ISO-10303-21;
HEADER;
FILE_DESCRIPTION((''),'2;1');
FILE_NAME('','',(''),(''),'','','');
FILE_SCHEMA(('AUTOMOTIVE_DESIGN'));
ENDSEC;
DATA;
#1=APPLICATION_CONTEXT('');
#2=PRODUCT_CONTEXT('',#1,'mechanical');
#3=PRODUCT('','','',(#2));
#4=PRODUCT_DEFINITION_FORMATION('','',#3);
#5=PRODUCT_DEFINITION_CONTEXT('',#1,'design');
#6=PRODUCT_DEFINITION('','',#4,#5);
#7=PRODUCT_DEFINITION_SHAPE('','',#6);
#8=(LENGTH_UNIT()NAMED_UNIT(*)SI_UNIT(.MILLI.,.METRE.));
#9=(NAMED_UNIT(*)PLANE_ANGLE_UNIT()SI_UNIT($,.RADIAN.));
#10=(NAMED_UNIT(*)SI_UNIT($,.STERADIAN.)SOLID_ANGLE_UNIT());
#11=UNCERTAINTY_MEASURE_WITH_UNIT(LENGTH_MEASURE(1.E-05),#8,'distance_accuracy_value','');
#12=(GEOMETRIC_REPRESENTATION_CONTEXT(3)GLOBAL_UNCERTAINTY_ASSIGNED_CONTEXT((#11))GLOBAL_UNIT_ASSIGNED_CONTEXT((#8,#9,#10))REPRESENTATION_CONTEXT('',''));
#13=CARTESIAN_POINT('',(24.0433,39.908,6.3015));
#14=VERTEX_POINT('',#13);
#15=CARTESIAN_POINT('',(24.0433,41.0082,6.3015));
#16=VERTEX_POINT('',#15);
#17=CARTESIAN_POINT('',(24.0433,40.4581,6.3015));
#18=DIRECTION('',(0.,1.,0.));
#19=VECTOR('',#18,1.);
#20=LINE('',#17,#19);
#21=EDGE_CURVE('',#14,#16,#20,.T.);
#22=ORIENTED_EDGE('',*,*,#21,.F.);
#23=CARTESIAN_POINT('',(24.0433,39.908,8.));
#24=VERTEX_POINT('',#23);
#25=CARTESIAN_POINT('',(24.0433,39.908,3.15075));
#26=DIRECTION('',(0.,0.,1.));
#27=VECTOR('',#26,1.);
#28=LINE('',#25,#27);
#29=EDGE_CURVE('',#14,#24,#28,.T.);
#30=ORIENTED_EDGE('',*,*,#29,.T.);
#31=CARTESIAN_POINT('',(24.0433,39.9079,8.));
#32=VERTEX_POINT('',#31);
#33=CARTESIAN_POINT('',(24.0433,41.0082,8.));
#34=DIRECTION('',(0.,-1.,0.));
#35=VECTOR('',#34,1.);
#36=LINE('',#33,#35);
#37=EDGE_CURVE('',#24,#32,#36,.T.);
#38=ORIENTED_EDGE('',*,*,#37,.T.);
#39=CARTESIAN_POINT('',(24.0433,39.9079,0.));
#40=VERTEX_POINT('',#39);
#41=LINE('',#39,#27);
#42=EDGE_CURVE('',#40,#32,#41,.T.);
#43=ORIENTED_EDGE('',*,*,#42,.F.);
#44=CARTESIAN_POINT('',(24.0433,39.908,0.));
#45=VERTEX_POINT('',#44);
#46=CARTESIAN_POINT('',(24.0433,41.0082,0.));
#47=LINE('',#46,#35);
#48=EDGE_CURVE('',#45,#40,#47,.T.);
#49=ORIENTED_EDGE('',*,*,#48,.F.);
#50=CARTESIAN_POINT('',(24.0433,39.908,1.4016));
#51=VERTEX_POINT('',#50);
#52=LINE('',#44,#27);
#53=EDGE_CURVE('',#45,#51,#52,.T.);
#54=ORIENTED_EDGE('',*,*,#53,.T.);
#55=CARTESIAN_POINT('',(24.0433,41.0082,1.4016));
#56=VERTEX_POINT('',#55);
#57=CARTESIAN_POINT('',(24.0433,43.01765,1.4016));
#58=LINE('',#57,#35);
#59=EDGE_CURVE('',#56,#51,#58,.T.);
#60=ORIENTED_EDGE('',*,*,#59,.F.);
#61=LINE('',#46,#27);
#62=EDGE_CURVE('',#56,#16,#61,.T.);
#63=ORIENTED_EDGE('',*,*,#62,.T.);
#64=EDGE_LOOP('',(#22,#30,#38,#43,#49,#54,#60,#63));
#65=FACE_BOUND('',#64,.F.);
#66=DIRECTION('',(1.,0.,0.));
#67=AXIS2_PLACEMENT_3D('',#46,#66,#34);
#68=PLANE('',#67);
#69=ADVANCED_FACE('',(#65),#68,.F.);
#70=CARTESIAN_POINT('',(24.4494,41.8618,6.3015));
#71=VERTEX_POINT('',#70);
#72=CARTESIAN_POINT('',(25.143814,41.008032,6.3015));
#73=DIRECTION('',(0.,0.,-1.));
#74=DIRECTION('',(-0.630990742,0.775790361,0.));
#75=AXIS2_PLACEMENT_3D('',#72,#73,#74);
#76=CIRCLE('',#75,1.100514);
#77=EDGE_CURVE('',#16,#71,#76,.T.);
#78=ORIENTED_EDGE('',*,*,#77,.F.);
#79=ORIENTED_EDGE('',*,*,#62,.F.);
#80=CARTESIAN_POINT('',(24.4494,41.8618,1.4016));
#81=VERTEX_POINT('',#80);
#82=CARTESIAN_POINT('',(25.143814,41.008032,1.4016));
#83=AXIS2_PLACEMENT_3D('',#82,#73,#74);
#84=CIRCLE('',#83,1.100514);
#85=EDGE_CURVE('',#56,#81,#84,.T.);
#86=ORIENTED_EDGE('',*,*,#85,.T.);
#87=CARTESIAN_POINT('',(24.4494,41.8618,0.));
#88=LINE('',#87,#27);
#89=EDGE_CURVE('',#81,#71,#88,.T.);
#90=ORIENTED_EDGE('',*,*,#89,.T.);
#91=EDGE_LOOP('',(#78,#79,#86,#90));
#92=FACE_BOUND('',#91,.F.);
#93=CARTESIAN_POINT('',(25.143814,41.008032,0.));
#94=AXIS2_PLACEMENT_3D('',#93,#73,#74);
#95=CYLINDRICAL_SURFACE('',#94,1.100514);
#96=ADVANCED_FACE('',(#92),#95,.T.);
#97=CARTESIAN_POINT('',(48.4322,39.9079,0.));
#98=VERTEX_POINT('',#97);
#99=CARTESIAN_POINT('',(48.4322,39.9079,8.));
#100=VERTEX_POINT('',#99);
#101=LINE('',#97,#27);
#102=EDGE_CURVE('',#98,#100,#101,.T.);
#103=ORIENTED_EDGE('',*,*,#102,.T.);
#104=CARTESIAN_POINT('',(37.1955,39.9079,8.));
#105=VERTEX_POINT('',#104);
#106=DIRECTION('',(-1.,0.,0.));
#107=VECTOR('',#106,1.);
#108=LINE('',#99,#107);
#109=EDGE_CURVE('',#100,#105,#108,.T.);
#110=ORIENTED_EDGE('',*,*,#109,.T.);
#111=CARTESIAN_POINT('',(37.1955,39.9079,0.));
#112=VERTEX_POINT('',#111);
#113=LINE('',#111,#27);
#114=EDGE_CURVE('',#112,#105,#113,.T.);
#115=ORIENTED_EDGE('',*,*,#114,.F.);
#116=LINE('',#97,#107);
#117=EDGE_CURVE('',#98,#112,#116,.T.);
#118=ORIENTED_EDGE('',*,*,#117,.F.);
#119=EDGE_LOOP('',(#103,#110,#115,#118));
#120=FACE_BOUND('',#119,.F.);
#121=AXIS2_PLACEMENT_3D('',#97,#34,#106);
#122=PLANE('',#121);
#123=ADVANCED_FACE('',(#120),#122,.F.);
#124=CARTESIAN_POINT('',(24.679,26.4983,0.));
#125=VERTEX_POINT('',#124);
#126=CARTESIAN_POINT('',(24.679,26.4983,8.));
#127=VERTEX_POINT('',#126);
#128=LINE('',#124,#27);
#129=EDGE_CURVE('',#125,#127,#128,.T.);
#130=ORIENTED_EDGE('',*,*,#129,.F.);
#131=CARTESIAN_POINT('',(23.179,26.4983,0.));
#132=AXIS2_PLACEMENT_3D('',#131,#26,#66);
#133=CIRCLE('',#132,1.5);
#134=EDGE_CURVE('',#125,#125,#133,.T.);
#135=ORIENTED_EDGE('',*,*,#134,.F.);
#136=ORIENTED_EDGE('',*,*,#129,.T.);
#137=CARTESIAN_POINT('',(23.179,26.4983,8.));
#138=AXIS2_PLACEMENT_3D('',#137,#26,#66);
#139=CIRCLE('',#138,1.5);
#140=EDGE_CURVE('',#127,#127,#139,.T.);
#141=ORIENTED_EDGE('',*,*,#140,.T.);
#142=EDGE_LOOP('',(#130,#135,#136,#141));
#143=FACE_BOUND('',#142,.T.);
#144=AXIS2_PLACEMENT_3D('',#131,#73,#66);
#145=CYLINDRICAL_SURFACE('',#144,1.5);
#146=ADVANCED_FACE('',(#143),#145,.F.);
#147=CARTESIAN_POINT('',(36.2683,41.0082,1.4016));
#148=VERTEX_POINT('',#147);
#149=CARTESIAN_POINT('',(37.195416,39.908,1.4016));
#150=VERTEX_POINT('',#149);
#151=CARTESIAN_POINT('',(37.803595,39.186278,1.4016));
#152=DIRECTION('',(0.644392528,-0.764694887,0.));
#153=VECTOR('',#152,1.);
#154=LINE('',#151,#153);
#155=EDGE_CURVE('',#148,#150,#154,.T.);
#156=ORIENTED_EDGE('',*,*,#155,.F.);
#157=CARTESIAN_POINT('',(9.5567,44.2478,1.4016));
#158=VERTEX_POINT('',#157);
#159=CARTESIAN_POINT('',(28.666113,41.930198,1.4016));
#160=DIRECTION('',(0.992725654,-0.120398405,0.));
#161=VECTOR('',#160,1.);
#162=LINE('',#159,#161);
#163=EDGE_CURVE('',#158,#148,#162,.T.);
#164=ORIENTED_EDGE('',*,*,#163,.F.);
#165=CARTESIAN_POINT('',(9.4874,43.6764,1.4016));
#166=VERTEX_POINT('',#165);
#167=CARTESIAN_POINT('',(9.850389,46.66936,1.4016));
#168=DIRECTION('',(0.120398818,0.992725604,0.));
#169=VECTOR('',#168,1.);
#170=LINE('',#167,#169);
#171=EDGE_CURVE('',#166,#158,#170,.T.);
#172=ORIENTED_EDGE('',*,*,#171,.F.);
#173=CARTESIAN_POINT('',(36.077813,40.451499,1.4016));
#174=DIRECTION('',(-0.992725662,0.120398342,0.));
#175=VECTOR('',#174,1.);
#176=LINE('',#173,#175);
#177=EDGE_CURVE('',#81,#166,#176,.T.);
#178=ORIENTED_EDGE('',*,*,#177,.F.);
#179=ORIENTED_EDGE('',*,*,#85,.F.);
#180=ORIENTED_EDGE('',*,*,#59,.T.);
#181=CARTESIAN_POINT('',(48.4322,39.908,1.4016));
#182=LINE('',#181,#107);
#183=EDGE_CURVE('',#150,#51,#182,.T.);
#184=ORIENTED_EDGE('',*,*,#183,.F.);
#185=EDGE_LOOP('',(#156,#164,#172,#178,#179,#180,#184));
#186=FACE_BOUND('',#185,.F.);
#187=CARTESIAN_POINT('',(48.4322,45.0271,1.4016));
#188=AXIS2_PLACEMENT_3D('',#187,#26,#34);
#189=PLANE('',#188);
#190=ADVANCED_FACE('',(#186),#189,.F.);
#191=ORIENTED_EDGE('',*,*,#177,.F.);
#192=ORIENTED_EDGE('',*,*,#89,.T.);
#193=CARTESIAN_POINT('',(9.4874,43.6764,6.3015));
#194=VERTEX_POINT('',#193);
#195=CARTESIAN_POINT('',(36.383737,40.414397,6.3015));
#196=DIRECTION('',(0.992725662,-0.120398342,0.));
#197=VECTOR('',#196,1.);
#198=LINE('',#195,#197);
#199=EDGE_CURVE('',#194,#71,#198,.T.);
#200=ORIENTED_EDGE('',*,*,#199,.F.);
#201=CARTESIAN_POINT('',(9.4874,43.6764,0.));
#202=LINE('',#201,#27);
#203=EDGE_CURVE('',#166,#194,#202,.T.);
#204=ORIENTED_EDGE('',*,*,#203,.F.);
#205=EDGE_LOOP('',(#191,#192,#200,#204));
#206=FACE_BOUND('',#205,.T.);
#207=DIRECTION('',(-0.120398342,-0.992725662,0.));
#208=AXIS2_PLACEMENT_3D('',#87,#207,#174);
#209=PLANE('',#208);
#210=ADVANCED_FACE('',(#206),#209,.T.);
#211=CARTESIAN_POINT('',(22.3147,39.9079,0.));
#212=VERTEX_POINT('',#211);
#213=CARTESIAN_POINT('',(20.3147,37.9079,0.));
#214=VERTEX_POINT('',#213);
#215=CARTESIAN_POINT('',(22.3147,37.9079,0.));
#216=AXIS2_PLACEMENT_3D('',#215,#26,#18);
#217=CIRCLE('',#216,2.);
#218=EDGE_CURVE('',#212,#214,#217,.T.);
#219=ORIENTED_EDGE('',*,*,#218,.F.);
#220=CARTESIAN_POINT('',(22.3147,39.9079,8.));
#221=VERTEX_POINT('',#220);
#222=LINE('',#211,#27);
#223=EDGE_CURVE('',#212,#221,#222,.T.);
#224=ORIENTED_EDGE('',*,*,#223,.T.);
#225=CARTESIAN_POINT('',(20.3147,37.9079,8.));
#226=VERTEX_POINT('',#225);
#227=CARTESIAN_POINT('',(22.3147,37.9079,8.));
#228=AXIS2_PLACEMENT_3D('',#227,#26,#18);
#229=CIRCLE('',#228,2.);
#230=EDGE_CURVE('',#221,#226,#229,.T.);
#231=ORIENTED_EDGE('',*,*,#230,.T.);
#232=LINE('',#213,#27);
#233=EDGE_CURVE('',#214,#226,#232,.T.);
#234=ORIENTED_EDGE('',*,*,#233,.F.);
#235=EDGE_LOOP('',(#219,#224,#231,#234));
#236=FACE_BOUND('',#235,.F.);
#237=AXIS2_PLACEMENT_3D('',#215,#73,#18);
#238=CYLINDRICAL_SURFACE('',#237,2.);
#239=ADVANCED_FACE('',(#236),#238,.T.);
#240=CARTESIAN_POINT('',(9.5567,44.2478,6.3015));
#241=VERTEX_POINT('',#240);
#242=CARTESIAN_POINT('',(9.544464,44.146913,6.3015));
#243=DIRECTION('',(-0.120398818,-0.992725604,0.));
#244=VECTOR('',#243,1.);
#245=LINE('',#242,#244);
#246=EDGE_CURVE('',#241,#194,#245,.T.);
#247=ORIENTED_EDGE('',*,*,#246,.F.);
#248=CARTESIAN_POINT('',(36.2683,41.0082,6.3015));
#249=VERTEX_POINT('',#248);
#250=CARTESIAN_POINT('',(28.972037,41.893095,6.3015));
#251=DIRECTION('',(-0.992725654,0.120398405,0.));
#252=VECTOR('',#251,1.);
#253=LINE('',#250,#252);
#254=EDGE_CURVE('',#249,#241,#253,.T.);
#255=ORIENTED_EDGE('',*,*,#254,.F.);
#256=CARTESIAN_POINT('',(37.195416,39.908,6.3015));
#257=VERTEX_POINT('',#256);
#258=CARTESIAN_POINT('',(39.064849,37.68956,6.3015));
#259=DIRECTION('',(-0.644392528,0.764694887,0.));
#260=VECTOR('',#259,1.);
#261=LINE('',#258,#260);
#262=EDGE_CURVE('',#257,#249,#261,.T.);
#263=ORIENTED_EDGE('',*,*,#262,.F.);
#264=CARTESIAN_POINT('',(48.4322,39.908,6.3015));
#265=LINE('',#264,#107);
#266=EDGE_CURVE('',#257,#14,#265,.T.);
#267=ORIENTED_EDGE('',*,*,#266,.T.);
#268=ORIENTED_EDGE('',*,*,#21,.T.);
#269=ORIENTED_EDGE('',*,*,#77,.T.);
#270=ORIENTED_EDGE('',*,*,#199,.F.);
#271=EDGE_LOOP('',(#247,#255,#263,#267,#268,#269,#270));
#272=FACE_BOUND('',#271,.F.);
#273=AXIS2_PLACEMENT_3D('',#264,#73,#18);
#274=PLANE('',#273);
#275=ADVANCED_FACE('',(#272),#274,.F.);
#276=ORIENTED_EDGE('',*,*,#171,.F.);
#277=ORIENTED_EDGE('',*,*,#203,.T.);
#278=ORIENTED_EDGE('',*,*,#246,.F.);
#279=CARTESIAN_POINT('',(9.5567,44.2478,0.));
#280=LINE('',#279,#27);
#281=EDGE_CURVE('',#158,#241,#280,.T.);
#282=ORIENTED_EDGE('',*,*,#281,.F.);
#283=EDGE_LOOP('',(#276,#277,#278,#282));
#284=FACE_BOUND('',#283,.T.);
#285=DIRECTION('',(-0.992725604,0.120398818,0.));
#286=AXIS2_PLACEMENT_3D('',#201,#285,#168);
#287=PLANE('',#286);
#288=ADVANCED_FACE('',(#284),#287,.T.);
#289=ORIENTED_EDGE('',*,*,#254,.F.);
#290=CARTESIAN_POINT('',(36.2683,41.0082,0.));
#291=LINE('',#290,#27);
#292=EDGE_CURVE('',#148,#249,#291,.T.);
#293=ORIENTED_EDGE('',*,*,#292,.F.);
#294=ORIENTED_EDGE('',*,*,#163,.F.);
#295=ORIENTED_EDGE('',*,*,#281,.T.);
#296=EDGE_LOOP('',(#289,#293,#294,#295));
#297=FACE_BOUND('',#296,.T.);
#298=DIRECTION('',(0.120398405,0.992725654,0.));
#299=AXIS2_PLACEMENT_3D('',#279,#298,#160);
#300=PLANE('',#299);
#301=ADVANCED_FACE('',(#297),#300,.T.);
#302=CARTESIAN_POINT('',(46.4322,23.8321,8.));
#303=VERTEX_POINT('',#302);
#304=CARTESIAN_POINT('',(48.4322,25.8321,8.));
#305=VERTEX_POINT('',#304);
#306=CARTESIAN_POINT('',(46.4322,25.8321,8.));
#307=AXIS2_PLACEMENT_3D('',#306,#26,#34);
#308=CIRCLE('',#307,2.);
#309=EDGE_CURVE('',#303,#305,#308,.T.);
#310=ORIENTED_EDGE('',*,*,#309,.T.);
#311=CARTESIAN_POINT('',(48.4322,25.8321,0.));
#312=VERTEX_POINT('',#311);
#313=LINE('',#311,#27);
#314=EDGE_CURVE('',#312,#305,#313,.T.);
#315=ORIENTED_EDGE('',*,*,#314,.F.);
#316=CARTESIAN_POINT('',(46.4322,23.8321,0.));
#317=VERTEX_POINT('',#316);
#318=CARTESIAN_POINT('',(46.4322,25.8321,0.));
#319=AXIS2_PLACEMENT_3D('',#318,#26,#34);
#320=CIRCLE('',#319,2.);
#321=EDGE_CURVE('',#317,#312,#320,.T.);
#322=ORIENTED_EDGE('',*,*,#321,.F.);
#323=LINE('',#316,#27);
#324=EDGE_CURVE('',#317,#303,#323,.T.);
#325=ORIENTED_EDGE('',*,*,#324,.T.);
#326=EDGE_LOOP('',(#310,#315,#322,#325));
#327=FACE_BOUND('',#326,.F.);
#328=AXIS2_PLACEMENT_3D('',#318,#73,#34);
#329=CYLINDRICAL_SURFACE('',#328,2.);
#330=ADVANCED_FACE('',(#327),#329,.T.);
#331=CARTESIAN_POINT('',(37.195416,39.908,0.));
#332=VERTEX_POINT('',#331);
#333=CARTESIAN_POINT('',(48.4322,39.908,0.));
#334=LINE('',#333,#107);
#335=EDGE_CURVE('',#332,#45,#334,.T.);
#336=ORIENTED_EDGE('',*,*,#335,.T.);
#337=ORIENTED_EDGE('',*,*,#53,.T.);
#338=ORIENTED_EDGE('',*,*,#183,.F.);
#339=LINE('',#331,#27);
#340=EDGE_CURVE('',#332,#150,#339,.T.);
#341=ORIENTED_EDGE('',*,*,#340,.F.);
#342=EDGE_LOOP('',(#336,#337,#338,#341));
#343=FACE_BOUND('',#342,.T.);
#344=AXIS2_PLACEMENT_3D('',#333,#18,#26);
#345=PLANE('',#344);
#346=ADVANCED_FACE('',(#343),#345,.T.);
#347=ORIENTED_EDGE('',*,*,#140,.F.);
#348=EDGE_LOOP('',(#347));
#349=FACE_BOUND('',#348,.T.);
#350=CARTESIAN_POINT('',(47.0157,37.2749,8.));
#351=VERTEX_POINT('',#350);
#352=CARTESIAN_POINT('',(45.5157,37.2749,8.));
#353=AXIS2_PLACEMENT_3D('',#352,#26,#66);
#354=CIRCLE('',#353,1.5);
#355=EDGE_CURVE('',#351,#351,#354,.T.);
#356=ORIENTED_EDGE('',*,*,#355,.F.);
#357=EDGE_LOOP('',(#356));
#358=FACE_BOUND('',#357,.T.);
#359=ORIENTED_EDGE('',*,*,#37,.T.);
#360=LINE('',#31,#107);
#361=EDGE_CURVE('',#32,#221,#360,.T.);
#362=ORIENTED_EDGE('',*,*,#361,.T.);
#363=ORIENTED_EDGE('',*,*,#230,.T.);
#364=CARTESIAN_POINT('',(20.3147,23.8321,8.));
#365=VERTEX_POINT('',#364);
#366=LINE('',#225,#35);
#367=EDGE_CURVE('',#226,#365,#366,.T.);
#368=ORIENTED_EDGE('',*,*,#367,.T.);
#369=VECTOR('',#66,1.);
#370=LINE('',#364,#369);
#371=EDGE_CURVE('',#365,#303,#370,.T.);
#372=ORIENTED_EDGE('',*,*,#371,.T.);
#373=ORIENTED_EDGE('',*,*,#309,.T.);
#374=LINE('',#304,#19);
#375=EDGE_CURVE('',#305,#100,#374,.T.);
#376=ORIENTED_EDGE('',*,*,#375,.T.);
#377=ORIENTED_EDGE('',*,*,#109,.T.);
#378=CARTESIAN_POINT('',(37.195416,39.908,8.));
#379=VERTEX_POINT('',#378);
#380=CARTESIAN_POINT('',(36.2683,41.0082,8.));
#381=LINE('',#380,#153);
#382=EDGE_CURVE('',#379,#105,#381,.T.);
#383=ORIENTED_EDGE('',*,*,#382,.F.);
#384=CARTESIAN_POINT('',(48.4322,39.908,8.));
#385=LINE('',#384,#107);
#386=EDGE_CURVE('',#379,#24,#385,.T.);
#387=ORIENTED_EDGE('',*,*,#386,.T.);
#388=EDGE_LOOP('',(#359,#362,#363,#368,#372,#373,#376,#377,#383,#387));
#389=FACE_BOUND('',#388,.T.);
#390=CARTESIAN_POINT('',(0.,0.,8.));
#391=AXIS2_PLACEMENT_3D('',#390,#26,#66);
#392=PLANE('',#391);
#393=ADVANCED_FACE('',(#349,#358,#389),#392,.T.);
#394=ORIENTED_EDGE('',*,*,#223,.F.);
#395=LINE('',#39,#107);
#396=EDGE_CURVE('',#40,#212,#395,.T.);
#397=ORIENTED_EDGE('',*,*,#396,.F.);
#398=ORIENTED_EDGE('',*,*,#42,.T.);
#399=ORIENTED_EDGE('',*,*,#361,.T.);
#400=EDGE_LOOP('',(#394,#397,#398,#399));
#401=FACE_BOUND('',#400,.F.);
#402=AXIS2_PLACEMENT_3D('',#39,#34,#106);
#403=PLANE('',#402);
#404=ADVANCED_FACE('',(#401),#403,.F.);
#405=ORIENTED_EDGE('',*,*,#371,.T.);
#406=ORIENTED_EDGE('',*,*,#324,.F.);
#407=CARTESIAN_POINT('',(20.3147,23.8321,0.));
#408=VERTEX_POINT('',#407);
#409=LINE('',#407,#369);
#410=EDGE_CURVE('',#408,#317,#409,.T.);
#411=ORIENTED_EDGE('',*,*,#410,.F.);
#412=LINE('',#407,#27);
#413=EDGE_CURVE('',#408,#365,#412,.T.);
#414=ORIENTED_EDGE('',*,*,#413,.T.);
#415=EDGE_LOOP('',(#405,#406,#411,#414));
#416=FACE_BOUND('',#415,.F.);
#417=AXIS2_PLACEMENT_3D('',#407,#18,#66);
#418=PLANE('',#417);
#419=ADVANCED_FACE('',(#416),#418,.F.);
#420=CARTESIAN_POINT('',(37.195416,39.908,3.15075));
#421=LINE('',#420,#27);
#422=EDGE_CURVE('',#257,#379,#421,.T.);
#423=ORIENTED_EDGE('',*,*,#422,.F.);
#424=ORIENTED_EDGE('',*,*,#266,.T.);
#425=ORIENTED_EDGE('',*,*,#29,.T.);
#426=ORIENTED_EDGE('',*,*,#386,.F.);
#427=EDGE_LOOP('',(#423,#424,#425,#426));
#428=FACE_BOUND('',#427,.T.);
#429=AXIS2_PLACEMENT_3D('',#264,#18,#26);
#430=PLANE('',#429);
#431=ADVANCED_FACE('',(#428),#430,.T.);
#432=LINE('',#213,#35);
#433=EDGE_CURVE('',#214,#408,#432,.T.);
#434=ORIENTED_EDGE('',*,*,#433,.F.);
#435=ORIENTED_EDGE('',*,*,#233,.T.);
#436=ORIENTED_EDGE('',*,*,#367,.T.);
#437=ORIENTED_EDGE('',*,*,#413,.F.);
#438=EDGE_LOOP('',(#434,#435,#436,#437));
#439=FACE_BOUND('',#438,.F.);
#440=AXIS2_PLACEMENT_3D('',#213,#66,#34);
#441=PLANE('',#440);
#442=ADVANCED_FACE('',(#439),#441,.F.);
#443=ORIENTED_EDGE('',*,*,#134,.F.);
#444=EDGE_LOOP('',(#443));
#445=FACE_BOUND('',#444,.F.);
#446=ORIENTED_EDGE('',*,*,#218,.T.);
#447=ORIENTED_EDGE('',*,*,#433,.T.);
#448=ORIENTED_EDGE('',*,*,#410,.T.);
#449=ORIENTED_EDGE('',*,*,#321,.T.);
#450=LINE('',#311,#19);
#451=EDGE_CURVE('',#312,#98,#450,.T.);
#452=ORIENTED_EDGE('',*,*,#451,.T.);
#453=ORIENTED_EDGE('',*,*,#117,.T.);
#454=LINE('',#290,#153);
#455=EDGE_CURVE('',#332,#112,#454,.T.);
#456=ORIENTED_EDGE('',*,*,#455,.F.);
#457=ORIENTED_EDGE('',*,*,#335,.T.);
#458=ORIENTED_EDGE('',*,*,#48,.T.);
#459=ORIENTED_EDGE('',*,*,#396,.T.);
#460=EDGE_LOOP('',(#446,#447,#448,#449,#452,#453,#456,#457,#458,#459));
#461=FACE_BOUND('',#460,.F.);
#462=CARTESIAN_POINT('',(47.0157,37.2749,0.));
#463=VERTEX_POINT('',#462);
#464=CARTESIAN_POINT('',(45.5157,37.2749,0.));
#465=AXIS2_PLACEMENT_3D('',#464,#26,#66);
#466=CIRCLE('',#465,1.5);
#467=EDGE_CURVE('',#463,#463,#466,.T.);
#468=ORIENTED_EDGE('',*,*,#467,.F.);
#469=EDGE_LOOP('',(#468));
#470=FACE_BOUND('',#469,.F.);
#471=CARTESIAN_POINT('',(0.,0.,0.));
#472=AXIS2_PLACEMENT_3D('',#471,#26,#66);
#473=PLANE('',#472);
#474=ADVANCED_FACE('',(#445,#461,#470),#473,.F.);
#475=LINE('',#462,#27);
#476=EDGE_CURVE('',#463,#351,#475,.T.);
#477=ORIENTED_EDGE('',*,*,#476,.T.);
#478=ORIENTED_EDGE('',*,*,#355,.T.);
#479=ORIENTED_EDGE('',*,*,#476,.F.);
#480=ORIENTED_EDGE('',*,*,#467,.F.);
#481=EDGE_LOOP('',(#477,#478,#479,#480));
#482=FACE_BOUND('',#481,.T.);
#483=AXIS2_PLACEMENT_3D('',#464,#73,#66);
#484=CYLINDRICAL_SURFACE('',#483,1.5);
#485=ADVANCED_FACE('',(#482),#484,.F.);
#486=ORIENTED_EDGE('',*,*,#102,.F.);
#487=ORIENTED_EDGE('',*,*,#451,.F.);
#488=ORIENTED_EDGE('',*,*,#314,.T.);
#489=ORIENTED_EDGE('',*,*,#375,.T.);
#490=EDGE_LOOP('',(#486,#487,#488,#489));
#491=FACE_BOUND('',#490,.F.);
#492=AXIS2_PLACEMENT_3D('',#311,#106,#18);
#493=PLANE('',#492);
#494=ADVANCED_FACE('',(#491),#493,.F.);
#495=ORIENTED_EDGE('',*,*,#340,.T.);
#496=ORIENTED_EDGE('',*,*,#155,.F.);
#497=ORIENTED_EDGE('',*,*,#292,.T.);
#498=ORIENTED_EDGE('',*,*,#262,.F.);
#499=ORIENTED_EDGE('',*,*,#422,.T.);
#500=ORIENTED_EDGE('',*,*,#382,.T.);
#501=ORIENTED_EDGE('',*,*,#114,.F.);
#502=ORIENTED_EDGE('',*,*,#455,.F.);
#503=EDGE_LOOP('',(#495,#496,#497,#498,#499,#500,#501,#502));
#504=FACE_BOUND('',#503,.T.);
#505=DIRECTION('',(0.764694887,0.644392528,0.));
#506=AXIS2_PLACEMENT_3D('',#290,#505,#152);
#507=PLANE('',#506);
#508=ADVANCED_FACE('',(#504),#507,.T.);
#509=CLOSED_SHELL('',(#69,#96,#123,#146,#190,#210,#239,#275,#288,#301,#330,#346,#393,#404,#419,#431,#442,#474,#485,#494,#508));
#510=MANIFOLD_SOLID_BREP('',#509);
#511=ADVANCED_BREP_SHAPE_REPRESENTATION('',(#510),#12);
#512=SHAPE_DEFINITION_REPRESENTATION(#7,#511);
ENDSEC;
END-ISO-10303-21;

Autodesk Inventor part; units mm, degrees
ref_plane "YZ Plane" through (0, 0, 0) normal (1, 0, 0) x (0, 1, 0)
ref_plane "XZ Plane" through (0, 0, 0) normal (0, 1, 0) x (-1, 0, 0)
ref_plane "XY Plane" through (0, 0, 0) normal (0, 0, 1) x (1, 0, 0)
sketch "Sketch1" plane through (0, 0, 0) normal (0, 0, 1) x (1, 0, 0)
  line L0 (0, 61.5875) -> (62, 61.5875) construction
  line L1 (62, 61.5875) -> (62, -0.4125) construction
  line L2 (62, -0.4125) -> (0, -0.4125) construction
  line L3 (0, -0.4125) -> (0, 61.5875) construction
  line L4 (20.3147, 23.8321) -> (46.4322, 23.8321)
  line L5 (48.4322, 25.8321) -> (48.4322, 39.9079)
  line L6 (20.3147, 37.9079) -> (20.3147, 23.8321)
  line L7 (24.0433, 41.0082) -> (24.0433, 39.9079)
  line L8 (26.2438, 41.0082) -> (26.2438, 39.9079)
  line L9 (24.0433, 39.9079) -> (22.3147, 39.9079)
  line L10 (8.8232, 7.7562) -> (58.8232, 7.7562)
  line L11 (9.5567, 44.2478) -> (36.2683, 41.0082)
  line L12 (9.4874, 43.6764) -> (9.5567, 44.2478)
  line L13 (36.1934, 40.391) -> (36.4777, 39.9079)
  line L14 (36.2683, 41.0082) -> (37.1955, 39.9079)
  line L15 (48.4322, 39.9079) -> (37.1955, 39.9079)
  line L16 (36.4777, 39.9079) -> (26.2438, 39.9079)
  arc A0 (26.2438, 41.0082) -> (26.0216, 41.6711) centre (25.1436, 41.0082) ccw
  arc A1 (24.4494, 41.8618) -> (24.0433, 41.0082) centre (25.1436, 41.0082) ccw
  line L17 (36.199, 40.4368) -> (26.0216, 41.6711)
  line L18 (24.4494, 41.8618) -> (9.4874, 43.6764)
  arc A2 (22.3147, 39.9079) -> (20.3147, 37.9079) centre (22.3147, 37.9079) ccw
  arc A3 (46.4322, 23.8321) -> (48.4322, 25.8321) centre (46.4322, 25.8321) ccw
  circle A4 centre (23.179, 26.4983) radius 1.5
  circle A5 centre (45.5157, 37.2749) radius 1.5
  point P0 (0, 0)
  dimension "d9" = 62
  dimension "d16" = 50
  dimension "d18" = 2
  dimension "d19" = 3
  dimension "d20" = 3
  dimension "d27" = 28.1175
extrude "Extrusion2" add sketch "Sketch1" along normal blind 8
sketch "Sketch2" plane through (48.4322, 25.8321, 0) normal (1, 0, 0) x (0, 0, -1)
  line L0 (0, 14.0759) -> (-8, 14.0759) projected
  line L1 (-6.3015, 14.0759) -> (-6.3015, 19.195)
  line L2 (-6.3015, 19.195) -> (-1.4016, 19.195)
  line L3 (-1.4016, 19.195) -> (-1.4016, 14.0759)
  line L4 (-1.4016, 14.0759) -> (1.865, 14.0759)
  line L5 (1.865, 14.0759) -> (1.865, 21.4964)
  line L6 (1.865, 21.4964) -> (-9.1226, 21.4964)
  line L7 (-9.1226, 21.4964) -> (-9.1226, 14.0759)
  line L8 (-9.1226, 14.0759) -> (-6.3015, 14.0759)
  point P0 (0, -25.8321)
extrude "Extrusion3" cut sketch "Sketch2" against normal through all contours L0 L3 L2 L1 L8 L7 L6 L5 L4
properties part number "switch"
